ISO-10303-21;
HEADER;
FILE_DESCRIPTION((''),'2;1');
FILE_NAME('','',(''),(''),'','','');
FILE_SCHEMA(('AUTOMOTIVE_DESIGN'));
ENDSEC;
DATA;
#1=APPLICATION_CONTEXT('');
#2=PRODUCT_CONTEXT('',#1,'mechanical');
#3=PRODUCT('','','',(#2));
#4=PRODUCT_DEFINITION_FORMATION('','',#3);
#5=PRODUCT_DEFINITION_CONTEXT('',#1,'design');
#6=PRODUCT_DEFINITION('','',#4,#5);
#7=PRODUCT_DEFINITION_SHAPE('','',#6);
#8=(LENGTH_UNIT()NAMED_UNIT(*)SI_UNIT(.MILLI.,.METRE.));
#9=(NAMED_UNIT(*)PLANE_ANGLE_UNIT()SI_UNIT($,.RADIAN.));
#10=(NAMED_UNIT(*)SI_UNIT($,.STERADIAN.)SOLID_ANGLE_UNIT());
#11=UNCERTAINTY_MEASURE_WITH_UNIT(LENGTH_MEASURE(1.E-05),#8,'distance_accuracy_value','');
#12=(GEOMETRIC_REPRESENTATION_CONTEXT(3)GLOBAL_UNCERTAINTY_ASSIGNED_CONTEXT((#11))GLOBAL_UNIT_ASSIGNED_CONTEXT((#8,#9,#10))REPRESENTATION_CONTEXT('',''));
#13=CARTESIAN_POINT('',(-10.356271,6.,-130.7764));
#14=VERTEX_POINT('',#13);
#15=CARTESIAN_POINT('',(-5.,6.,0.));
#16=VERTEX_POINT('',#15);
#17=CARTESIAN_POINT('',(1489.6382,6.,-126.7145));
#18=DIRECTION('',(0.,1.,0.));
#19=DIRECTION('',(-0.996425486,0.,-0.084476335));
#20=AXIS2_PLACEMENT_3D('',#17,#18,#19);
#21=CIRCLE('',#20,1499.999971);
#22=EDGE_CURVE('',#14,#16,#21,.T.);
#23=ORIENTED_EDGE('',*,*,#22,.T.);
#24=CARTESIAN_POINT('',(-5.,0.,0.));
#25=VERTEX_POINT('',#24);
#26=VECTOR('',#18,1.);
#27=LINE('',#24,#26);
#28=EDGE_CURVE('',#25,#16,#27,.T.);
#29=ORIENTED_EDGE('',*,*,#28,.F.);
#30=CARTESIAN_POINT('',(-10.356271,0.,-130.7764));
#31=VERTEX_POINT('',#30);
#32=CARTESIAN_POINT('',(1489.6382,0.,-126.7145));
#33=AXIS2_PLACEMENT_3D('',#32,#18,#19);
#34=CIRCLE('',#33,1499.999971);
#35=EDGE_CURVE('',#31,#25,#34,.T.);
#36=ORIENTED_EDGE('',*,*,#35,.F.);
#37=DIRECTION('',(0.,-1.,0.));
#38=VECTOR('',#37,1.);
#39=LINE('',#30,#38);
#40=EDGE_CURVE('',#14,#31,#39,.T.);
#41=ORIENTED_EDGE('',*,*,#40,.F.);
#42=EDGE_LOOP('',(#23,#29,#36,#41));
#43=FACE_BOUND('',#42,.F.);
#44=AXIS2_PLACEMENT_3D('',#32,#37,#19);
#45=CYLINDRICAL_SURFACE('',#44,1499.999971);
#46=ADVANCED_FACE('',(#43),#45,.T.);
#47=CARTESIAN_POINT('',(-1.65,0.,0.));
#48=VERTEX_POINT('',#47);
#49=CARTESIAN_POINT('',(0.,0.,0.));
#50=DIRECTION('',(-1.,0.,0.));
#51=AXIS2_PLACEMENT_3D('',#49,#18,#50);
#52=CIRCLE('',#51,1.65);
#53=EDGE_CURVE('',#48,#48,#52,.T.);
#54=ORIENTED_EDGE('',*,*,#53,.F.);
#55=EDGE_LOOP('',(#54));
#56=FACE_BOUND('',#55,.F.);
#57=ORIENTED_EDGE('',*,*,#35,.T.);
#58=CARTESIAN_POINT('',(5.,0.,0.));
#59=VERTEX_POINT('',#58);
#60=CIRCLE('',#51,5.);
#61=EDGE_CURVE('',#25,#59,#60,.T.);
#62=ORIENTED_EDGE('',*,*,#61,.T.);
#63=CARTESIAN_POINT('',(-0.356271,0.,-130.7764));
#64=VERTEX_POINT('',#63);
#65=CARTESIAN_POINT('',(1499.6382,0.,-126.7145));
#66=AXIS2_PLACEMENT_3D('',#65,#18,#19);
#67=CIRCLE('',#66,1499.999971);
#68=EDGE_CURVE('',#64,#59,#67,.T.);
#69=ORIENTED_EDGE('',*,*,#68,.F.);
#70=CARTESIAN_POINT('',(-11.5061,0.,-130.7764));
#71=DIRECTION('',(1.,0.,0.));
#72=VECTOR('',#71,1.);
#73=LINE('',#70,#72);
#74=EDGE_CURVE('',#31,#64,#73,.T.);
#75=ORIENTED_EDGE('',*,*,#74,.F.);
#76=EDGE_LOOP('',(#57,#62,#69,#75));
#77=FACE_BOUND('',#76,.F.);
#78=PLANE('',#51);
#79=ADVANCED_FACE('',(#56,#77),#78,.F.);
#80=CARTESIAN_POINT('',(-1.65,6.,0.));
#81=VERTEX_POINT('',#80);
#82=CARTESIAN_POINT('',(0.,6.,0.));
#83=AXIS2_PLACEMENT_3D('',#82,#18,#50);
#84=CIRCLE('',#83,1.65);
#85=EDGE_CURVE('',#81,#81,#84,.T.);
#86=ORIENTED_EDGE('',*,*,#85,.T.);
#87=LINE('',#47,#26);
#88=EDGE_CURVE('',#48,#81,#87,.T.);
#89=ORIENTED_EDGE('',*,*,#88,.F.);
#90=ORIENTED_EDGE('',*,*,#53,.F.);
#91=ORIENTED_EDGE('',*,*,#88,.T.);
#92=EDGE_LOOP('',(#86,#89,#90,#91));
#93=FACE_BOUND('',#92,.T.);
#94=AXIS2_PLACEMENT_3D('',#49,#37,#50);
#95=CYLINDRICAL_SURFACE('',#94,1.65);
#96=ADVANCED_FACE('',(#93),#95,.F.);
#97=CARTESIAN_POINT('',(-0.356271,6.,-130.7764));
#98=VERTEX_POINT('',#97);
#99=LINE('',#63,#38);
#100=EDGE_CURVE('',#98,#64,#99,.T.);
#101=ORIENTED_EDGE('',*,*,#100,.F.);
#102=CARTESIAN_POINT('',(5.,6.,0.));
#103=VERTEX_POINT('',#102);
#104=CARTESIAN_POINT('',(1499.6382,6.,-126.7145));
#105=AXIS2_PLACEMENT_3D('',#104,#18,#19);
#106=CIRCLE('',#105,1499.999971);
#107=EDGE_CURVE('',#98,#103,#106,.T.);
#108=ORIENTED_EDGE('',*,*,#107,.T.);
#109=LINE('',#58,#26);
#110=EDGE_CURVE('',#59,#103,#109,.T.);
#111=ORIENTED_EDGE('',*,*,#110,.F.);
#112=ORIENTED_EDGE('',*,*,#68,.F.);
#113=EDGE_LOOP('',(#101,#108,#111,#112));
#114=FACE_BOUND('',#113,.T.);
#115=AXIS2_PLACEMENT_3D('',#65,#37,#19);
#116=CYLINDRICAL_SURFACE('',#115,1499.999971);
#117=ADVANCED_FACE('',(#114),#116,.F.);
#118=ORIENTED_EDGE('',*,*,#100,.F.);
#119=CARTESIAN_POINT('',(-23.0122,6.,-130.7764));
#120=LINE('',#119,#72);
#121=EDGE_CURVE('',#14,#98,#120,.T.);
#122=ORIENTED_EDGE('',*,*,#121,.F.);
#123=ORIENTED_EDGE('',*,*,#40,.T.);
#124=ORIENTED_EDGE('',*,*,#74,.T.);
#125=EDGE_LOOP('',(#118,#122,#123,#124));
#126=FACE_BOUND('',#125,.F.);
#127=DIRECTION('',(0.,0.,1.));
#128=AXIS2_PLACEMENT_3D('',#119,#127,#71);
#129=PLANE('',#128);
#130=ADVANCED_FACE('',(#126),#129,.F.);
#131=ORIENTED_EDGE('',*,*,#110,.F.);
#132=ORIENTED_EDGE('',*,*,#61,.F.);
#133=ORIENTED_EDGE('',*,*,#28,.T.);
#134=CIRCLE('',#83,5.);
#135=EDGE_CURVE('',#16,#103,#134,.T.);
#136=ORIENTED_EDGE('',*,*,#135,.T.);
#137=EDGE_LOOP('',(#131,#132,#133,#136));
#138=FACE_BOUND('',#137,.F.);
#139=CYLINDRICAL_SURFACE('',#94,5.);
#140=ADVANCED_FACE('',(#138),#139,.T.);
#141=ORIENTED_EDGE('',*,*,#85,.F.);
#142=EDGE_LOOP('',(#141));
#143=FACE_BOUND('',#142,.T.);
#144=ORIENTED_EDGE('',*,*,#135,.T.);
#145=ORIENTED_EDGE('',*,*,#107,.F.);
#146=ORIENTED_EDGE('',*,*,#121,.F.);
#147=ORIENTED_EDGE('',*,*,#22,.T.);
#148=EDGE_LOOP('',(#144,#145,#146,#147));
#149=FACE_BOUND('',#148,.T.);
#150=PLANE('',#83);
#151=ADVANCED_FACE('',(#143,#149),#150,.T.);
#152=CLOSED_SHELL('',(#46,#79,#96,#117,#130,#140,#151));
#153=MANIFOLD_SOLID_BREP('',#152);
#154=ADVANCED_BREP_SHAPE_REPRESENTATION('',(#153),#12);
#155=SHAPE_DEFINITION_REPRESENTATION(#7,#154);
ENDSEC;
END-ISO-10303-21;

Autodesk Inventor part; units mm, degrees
ref_plane "YZ Plane" through (0, 0, 0) normal (1, 0, 0) x (0, 1, 0)
ref_plane "XZ Plane" through (0, 0, 0) normal (0, 1, 0) x (-1, 0, 0)
ref_plane "XY Plane" through (0, 0, 0) normal (0, 0, 1) x (1, 0, 0)
sketch "Sketch1" plane through (0, 0, 0) normal (0, 1, 0) x (-1, 0, 0)
  line L0 (0, 0) -> (0, -253.429) construction
  line L1 (5, 0) -> (5, -253.429)
  line L2 (-5, -253.429) -> (-5, 0)
  arc A0 (5, 0) -> (-5, 0) centre (0, 0) ccw
  arc A1 (-5, -253.429) -> (5, -253.429) centre (0, -253.429) ccw
  circle A2 centre (0, 0) radius 1.65
  circle A3 centre (0, -253.429) radius 1.65
  arc A4 (5, -253.429) -> (5, 0) centre (-1489.6382, -126.7145) ccw
  arc A5 (-5, -253.429) -> (-5, 0) centre (-1499.6382, -126.7145) ccw
  circle A6 centre (5.3131, -141.429) radius 1.65
  point P0 (0, -126.7145)
  dimension "d0" = 3.3
  dimension "d1" = 3.3
  dimension "d2" = 10
  dimension "d3" = 253.429
  dimension "d16" = 1500
  dimension "d17" = 1500
  dimension "d18" = 3.3
  dimension "d19" = 112
extrude "Extrusion1" add sketch "Sketch1" along normal blind 6 contours A4 L1 A6 | L1 A6 A1 A5 A0
sketch "Sketch2" plane through (0, 6, 0) normal (0, 1, 0) x (1, 0, 0)
  line L0 (-23.0122, 130.7764) -> (18.8584, 130.7764)
  line L1 (18.8584, 130.7764) -> (18.8584, -10.1345)
  line L2 (18.8584, -10.1345) -> (-23.0122, -10.1345)
  line L3 (-23.0122, -10.1345) -> (-23.0122, 130.7764)
  line L4 (-71.0561, 282.155) -> (73.8808, 282.155)
  line L5 (73.8808, 282.155) -> (73.8808, -35.6326)
  line L6 (73.8808, -35.6326) -> (-71.0561, -35.6326)
  line L7 (-71.0561, -35.6326) -> (-71.0561, 282.155)
  point P0 (0, 0)
extrude "Extrusion2" cut sketch "Sketch2" against normal blind 10
properties part number "Part_5_p1"
